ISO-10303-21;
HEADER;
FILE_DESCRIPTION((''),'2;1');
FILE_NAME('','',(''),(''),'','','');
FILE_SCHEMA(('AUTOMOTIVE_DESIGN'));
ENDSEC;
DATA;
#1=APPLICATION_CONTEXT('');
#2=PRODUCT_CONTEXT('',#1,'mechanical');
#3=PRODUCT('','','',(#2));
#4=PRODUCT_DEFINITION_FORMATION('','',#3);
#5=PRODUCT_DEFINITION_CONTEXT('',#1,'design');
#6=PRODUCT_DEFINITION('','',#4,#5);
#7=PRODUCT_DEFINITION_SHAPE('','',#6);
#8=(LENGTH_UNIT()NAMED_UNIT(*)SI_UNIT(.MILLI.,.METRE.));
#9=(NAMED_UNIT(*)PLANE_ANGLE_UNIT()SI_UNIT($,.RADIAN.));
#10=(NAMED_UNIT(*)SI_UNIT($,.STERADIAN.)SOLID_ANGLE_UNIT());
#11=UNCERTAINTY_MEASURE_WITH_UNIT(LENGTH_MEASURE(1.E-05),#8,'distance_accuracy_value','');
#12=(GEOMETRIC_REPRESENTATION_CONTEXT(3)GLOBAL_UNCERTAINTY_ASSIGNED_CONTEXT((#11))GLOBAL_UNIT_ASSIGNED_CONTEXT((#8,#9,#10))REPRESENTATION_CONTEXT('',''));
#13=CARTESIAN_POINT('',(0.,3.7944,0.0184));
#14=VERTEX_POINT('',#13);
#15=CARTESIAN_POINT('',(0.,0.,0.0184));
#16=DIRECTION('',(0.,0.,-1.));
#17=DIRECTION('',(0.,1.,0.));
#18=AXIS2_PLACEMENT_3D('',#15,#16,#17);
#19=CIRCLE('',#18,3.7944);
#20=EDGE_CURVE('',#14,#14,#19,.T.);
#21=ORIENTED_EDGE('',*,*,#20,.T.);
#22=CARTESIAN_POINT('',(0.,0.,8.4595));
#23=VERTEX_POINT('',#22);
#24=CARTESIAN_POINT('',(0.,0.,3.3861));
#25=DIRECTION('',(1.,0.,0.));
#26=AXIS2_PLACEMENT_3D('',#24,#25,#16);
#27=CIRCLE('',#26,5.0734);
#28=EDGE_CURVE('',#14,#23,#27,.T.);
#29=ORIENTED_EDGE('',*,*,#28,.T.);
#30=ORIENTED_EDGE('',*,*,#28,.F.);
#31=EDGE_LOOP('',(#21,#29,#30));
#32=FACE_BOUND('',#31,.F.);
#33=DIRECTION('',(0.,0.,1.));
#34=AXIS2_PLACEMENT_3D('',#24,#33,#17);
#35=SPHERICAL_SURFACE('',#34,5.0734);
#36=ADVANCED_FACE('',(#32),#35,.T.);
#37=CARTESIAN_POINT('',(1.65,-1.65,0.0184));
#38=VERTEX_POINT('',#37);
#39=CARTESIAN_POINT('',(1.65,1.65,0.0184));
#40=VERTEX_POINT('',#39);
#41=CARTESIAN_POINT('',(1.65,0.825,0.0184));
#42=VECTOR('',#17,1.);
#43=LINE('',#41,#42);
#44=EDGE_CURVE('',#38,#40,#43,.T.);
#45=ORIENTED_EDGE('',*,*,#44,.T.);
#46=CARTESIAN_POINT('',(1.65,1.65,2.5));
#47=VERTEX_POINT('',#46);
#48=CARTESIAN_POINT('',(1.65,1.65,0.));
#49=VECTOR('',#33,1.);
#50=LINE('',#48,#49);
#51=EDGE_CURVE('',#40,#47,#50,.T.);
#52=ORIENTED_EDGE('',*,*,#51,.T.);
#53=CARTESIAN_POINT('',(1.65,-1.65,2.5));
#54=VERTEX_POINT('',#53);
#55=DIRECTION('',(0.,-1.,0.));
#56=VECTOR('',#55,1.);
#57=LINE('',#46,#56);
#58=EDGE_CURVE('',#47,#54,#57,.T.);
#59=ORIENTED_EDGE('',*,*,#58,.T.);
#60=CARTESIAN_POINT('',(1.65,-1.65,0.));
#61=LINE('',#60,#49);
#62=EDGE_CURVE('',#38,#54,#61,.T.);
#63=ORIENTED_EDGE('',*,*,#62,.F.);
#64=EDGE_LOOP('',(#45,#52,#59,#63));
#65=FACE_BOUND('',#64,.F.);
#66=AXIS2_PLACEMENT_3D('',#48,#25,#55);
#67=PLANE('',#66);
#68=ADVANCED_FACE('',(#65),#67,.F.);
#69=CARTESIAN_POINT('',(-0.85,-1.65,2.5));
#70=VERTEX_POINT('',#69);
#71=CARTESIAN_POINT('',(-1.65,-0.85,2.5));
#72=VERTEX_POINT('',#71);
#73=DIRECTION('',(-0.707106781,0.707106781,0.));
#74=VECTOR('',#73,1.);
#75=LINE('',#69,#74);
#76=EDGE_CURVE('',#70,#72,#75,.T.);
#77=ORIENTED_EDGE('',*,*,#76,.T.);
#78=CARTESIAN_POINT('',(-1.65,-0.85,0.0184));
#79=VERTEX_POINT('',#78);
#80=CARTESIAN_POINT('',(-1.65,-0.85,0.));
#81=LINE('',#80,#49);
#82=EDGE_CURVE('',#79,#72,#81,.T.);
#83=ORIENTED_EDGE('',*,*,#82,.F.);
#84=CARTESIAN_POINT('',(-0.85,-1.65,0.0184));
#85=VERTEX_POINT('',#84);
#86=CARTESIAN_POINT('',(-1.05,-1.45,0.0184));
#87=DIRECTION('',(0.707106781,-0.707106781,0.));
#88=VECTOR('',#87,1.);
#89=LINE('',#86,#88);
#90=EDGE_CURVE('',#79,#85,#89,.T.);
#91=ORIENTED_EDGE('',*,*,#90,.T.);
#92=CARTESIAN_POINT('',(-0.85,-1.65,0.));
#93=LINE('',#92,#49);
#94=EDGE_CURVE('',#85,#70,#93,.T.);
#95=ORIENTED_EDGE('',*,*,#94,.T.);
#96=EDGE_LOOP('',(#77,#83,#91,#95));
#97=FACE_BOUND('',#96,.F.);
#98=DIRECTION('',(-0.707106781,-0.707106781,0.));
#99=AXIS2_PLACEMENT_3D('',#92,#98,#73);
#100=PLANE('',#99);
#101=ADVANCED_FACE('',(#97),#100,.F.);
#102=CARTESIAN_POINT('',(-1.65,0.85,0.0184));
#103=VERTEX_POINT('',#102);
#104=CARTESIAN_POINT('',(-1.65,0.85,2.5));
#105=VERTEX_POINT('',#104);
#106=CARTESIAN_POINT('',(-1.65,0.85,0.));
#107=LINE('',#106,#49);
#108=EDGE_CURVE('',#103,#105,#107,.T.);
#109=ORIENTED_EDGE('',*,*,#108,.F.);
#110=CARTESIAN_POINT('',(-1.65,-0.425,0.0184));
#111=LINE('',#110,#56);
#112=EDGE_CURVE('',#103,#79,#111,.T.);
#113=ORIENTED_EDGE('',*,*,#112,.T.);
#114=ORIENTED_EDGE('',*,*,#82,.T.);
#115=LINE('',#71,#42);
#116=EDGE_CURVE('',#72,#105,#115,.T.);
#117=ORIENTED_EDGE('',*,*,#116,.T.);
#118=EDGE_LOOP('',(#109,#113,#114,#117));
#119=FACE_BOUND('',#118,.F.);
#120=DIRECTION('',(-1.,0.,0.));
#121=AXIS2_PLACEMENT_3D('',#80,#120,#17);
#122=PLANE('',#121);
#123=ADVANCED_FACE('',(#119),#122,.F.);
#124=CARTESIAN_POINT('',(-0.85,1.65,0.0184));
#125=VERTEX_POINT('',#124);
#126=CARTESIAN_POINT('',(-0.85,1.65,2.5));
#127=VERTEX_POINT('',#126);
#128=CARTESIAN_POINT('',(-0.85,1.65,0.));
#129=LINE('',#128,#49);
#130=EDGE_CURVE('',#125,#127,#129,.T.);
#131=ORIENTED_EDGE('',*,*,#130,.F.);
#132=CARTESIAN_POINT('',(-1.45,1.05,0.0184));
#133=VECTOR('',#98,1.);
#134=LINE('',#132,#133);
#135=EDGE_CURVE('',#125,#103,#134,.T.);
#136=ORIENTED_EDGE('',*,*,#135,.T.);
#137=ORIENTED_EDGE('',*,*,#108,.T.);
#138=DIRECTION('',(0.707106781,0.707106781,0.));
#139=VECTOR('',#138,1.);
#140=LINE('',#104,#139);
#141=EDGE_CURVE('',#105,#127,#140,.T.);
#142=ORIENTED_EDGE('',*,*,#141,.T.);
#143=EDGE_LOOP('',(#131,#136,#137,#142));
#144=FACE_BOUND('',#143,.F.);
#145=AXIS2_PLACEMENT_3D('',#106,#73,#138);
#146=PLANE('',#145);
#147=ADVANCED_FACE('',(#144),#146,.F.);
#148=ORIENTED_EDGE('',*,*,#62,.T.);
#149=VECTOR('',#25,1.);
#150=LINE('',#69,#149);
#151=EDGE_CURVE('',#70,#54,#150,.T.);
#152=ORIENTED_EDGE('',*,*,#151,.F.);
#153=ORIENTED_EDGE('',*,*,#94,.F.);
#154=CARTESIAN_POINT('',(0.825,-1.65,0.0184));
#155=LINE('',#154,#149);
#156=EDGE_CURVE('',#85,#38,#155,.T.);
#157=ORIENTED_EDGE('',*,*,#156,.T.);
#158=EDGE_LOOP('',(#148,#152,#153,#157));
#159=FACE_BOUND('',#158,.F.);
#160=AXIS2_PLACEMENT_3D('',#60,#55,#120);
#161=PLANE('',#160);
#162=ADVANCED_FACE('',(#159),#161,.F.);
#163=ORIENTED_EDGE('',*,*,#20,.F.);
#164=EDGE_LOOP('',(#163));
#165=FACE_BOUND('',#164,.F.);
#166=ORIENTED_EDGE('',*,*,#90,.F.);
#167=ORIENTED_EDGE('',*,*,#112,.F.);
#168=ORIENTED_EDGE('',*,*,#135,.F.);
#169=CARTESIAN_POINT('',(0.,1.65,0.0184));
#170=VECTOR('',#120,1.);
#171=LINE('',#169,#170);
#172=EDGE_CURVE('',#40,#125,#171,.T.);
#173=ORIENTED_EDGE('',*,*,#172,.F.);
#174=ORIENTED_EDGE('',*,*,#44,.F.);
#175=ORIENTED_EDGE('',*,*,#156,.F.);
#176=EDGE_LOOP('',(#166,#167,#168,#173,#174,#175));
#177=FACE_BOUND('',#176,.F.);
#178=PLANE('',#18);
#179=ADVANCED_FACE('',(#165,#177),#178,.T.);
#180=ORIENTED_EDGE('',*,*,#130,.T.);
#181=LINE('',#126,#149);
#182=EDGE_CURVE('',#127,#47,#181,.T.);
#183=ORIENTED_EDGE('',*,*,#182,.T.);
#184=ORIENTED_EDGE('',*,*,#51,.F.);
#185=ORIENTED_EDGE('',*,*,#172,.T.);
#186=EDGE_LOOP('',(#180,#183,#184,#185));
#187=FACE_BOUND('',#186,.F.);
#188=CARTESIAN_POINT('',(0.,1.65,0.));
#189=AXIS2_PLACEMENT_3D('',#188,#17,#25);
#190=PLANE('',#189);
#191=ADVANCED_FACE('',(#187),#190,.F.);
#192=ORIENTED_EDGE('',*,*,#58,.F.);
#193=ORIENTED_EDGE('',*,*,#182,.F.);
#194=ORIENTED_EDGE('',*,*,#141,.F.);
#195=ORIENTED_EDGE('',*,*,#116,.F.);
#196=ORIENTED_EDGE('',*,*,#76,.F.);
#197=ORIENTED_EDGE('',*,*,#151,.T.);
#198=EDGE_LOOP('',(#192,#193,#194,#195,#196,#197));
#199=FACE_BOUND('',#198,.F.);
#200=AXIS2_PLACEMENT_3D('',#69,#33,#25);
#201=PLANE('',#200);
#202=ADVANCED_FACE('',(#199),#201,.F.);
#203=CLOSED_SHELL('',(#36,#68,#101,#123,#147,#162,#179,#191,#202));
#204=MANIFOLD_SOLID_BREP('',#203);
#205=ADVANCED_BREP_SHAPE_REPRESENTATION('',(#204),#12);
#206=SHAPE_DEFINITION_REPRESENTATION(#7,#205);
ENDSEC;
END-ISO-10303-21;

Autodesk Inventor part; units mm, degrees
ref_plane "Work Plane1" through (0, 0, 0) normal (1, 0, 0) x (0, 0, -1)
sketch "Sketch3" plane through (0, 0, 0) normal (1, 0, 0) x (0, 0, -1)
  circle A0 centre (-3.3861, 0) radius 5.0734
  line L0 (-8.4595, 0) -> (1.6873, 0)
  line L1 (-0.0184, 0) -> (-0.0184, 3.7944)
  point P0 (0, 0)
ref_plane "Work Plane2" through (-0.85, -1.65, 0) normal (0, 0, 1) x (1, 0, 0)
sketch "Sketch5" plane through (-0.85, -1.65, 0) normal (0, 0, 1) x (1, 0, 0)
  line L0 (-0.8, 2.5) -> (0, 3.3) projected
  line L1 (-0.8, 0.8) -> (-0.8, 2.5) projected
  line L2 (0, 0) -> (-0.8, 0.8) projected
  line L3 (2.5, 0) -> (0, 0) projected
  line L4 (2.5, 3.3) -> (2.5, 0) projected
  line L5 (0, 3.3) -> (2.5, 3.3) projected
  circle A0 centre (0.85, 1.65) radius 1.25 projected
revolve "Revolution2" add sketch "Sketch3" angle 360 about axis through (0, 0, 8.4595) along (0, 0, -1) picked at (-5.6014, 0.385) contours L1 L0 A0
ref_plane "Work Plane3" through (-0.85, -1.65, 0) normal (0, 0, 1) x (1, 0, 0)
sketch "Sketch6" plane through (-0.85, -1.65, 0) normal (0, 0, 1) x (1, 0, 0)
  line L0 (0.85, 8.4832) -> (0.85, -5.1832) projected
  line L1 (-0.8, 2.5) -> (0, 3.3) projected
  line L2 (-0.8, 0.8) -> (-0.8, 2.5) projected
  line L3 (0, 0) -> (-0.8, 0.8) projected
  line L4 (2.5, 0) -> (0, 0) projected
  line L5 (2.5, 3.3) -> (2.5, 0) projected
  line L6 (0, 3.3) -> (2.5, 3.3) projected
  circle A0 centre (0.85, 1.65) radius 1.25 projected
  circle A1 centre (0.85, 1.65) radius 1.25 projected
extrude "Extrusion2" cut sketch "Sketch6" along normal blind 2.5
properties part number "JS5210_hat_top_1"
